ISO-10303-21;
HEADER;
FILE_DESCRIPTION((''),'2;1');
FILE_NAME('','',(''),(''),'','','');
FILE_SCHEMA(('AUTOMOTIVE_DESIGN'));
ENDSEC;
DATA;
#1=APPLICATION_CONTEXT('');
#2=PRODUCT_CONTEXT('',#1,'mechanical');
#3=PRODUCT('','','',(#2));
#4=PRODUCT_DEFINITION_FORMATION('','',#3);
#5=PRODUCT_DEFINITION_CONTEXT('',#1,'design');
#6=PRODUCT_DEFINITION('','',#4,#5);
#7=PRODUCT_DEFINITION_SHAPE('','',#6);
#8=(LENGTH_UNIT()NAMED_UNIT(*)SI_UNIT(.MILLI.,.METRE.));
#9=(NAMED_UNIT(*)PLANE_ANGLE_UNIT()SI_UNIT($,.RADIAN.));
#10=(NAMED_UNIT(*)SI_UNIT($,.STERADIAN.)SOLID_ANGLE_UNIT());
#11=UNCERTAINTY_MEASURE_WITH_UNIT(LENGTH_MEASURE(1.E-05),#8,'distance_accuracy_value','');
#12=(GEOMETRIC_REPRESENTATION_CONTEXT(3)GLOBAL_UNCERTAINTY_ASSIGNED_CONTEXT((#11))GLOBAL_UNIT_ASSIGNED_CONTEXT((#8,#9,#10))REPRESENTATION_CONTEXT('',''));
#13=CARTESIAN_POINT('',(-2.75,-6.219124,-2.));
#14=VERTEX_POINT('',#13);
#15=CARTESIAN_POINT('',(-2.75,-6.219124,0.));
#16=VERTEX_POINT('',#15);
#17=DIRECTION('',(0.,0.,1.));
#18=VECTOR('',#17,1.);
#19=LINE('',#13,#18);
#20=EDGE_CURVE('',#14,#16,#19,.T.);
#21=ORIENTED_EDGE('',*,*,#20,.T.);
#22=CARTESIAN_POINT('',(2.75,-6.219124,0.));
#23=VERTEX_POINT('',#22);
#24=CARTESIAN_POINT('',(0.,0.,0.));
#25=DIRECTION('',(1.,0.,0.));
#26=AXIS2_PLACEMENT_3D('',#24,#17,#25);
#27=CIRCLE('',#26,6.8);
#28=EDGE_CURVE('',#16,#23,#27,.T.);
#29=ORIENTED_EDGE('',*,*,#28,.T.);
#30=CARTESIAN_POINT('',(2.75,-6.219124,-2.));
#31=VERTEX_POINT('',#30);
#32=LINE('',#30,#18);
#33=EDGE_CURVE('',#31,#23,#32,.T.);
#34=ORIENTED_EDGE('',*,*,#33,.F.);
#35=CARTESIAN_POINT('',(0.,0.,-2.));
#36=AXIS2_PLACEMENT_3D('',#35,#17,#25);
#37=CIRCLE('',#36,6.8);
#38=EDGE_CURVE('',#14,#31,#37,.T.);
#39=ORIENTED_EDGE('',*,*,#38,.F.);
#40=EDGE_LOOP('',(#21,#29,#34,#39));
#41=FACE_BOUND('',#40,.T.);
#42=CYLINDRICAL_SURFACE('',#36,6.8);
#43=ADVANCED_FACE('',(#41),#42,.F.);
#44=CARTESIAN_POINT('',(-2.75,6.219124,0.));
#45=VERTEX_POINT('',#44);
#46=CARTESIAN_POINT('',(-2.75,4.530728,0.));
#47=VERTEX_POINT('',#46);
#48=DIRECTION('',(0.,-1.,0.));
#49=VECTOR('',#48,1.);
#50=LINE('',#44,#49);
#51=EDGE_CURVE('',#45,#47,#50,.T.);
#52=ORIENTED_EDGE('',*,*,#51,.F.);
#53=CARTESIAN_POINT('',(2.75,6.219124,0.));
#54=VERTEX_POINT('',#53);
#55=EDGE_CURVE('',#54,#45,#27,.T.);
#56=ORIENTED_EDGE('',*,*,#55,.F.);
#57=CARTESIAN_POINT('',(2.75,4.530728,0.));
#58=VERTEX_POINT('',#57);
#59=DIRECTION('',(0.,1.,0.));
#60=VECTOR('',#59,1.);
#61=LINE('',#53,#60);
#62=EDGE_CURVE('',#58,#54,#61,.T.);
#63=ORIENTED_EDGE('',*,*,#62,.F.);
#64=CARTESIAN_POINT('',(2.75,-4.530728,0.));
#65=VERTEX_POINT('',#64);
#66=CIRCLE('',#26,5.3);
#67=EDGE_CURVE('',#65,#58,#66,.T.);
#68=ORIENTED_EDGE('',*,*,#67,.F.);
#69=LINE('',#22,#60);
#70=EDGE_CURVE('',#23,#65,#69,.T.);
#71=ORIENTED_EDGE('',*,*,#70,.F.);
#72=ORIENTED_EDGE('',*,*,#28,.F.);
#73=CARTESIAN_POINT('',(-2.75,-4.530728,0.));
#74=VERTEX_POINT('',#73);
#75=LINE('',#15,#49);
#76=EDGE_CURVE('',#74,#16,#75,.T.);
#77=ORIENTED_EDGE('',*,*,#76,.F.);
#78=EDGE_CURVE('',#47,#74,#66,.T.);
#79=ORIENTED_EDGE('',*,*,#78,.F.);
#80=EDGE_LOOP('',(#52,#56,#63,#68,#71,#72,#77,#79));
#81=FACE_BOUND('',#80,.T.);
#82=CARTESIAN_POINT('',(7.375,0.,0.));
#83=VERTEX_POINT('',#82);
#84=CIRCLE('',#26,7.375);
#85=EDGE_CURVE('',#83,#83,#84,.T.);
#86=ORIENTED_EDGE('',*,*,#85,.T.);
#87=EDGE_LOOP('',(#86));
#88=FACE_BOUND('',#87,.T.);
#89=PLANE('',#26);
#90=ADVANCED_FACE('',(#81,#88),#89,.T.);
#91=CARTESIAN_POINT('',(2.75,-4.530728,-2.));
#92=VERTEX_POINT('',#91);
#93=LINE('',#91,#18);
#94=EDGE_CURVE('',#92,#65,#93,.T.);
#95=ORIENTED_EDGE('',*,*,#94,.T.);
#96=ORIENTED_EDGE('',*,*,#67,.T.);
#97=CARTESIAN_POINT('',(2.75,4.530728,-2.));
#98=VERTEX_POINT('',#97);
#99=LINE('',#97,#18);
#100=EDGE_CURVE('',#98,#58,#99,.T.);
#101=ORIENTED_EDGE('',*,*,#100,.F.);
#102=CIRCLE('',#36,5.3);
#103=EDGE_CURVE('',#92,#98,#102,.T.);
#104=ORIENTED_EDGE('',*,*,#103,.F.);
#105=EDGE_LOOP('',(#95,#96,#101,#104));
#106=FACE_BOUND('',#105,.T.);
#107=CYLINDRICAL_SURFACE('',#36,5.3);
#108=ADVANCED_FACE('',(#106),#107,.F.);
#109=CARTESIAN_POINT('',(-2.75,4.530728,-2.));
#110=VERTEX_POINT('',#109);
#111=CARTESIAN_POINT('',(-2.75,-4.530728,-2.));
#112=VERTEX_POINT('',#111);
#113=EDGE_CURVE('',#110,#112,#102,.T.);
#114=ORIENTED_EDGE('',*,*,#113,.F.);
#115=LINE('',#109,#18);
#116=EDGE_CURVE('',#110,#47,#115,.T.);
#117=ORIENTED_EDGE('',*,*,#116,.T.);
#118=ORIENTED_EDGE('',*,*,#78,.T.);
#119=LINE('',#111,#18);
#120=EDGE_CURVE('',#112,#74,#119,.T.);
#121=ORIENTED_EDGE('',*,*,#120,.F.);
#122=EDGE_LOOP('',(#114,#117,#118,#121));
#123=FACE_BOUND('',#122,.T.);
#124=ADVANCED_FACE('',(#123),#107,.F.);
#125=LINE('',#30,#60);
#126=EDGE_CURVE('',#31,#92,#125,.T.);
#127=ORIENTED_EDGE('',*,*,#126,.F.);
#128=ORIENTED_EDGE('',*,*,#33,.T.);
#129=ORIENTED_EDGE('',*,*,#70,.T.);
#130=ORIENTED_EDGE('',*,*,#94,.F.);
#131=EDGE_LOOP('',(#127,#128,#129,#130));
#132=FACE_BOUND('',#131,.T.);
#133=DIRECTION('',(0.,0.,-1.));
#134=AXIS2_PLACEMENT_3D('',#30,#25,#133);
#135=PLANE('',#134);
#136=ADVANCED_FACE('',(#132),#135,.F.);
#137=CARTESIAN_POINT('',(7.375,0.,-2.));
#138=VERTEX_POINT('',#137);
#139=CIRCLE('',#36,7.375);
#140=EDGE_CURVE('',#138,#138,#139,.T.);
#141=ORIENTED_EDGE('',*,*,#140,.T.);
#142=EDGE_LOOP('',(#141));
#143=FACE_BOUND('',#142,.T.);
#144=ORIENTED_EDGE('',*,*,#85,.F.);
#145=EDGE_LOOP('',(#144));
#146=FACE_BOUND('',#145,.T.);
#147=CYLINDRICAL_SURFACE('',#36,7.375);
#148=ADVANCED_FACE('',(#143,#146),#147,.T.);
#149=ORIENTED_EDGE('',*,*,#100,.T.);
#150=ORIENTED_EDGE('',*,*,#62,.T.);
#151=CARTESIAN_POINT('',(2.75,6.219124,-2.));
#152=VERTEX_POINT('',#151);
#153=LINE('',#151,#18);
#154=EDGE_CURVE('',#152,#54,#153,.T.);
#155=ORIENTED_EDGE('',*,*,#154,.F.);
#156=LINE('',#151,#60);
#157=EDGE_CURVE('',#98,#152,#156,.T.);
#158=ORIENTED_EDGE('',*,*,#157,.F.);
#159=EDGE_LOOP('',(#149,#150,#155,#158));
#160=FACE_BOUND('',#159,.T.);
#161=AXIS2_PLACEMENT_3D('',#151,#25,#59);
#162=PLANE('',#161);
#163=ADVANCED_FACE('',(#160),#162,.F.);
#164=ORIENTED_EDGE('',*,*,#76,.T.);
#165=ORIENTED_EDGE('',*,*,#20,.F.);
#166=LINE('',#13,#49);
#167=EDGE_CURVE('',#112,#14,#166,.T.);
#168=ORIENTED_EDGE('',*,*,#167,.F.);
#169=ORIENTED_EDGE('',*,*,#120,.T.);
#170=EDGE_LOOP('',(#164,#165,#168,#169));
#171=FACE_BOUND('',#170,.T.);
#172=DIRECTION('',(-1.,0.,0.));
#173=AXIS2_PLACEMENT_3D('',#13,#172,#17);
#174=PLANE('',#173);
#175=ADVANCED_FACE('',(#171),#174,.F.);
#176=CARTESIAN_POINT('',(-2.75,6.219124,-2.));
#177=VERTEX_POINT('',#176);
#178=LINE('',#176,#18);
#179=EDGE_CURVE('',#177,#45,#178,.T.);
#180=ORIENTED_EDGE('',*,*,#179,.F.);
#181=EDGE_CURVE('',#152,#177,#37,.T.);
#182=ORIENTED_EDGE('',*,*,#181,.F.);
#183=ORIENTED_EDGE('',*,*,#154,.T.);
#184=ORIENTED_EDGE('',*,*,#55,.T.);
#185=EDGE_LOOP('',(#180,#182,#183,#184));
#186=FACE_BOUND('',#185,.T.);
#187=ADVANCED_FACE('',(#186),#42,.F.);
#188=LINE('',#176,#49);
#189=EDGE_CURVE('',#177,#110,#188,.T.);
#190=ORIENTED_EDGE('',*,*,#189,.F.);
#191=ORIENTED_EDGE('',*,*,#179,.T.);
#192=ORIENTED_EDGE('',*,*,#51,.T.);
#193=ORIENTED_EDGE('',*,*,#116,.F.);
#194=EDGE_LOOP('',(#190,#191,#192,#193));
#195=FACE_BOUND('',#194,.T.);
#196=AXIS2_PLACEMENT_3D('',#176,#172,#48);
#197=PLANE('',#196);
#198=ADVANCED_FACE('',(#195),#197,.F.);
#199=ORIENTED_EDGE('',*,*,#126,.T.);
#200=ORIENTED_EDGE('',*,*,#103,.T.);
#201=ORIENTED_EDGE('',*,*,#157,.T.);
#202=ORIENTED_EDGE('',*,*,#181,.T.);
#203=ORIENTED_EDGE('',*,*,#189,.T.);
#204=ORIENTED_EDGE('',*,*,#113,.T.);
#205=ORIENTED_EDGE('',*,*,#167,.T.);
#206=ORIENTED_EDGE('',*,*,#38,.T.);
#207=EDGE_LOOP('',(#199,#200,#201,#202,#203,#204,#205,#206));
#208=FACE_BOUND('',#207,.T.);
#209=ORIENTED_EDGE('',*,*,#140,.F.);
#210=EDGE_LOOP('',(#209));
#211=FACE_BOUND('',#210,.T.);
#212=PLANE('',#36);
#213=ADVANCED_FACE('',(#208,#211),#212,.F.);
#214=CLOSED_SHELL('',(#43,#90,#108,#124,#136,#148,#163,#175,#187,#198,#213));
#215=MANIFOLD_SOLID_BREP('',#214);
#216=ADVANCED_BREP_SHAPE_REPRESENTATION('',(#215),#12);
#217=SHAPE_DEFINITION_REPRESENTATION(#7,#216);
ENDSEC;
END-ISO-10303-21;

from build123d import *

# Parameters (mm, degrees)
SKETCH3_R           = 7.375
BOSS_EXTRUDE1_DEPTH = 2


with BuildPart() as part:
    # Sketch3 → Boss-Extrude1 (new body)
    with BuildSketch(Plane.XY):
        Circle(SKETCH3_R)
        with BuildLine():
            Line((-2.75, 6.219123732), (-2.75, 4.530728418))
            ThreePointArc((-2.75, 4.530728418), (-5.3, 0), (-2.75, -4.530728418))
            Line((-2.75, -4.530728418), (-2.75, -6.219123732))
            ThreePointArc((-2.75, -6.219123732), (0, -6.8), (2.75, -6.219123732))
            Line((2.75, -6.219123732), (2.75, -4.530728418))
            ThreePointArc((2.75, -4.530728418), (5.3, 0), (2.75, 4.530728418))
            Line((2.75, 4.530728418), (2.75, 6.219123732))
            ThreePointArc((2.75, 6.219123732), (0, 6.8), (-2.75, 6.219123732))
        make_face(mode=Mode.SUBTRACT)
    extrude(amount=-BOSS_EXTRUDE1_DEPTH)


solid = part.part
